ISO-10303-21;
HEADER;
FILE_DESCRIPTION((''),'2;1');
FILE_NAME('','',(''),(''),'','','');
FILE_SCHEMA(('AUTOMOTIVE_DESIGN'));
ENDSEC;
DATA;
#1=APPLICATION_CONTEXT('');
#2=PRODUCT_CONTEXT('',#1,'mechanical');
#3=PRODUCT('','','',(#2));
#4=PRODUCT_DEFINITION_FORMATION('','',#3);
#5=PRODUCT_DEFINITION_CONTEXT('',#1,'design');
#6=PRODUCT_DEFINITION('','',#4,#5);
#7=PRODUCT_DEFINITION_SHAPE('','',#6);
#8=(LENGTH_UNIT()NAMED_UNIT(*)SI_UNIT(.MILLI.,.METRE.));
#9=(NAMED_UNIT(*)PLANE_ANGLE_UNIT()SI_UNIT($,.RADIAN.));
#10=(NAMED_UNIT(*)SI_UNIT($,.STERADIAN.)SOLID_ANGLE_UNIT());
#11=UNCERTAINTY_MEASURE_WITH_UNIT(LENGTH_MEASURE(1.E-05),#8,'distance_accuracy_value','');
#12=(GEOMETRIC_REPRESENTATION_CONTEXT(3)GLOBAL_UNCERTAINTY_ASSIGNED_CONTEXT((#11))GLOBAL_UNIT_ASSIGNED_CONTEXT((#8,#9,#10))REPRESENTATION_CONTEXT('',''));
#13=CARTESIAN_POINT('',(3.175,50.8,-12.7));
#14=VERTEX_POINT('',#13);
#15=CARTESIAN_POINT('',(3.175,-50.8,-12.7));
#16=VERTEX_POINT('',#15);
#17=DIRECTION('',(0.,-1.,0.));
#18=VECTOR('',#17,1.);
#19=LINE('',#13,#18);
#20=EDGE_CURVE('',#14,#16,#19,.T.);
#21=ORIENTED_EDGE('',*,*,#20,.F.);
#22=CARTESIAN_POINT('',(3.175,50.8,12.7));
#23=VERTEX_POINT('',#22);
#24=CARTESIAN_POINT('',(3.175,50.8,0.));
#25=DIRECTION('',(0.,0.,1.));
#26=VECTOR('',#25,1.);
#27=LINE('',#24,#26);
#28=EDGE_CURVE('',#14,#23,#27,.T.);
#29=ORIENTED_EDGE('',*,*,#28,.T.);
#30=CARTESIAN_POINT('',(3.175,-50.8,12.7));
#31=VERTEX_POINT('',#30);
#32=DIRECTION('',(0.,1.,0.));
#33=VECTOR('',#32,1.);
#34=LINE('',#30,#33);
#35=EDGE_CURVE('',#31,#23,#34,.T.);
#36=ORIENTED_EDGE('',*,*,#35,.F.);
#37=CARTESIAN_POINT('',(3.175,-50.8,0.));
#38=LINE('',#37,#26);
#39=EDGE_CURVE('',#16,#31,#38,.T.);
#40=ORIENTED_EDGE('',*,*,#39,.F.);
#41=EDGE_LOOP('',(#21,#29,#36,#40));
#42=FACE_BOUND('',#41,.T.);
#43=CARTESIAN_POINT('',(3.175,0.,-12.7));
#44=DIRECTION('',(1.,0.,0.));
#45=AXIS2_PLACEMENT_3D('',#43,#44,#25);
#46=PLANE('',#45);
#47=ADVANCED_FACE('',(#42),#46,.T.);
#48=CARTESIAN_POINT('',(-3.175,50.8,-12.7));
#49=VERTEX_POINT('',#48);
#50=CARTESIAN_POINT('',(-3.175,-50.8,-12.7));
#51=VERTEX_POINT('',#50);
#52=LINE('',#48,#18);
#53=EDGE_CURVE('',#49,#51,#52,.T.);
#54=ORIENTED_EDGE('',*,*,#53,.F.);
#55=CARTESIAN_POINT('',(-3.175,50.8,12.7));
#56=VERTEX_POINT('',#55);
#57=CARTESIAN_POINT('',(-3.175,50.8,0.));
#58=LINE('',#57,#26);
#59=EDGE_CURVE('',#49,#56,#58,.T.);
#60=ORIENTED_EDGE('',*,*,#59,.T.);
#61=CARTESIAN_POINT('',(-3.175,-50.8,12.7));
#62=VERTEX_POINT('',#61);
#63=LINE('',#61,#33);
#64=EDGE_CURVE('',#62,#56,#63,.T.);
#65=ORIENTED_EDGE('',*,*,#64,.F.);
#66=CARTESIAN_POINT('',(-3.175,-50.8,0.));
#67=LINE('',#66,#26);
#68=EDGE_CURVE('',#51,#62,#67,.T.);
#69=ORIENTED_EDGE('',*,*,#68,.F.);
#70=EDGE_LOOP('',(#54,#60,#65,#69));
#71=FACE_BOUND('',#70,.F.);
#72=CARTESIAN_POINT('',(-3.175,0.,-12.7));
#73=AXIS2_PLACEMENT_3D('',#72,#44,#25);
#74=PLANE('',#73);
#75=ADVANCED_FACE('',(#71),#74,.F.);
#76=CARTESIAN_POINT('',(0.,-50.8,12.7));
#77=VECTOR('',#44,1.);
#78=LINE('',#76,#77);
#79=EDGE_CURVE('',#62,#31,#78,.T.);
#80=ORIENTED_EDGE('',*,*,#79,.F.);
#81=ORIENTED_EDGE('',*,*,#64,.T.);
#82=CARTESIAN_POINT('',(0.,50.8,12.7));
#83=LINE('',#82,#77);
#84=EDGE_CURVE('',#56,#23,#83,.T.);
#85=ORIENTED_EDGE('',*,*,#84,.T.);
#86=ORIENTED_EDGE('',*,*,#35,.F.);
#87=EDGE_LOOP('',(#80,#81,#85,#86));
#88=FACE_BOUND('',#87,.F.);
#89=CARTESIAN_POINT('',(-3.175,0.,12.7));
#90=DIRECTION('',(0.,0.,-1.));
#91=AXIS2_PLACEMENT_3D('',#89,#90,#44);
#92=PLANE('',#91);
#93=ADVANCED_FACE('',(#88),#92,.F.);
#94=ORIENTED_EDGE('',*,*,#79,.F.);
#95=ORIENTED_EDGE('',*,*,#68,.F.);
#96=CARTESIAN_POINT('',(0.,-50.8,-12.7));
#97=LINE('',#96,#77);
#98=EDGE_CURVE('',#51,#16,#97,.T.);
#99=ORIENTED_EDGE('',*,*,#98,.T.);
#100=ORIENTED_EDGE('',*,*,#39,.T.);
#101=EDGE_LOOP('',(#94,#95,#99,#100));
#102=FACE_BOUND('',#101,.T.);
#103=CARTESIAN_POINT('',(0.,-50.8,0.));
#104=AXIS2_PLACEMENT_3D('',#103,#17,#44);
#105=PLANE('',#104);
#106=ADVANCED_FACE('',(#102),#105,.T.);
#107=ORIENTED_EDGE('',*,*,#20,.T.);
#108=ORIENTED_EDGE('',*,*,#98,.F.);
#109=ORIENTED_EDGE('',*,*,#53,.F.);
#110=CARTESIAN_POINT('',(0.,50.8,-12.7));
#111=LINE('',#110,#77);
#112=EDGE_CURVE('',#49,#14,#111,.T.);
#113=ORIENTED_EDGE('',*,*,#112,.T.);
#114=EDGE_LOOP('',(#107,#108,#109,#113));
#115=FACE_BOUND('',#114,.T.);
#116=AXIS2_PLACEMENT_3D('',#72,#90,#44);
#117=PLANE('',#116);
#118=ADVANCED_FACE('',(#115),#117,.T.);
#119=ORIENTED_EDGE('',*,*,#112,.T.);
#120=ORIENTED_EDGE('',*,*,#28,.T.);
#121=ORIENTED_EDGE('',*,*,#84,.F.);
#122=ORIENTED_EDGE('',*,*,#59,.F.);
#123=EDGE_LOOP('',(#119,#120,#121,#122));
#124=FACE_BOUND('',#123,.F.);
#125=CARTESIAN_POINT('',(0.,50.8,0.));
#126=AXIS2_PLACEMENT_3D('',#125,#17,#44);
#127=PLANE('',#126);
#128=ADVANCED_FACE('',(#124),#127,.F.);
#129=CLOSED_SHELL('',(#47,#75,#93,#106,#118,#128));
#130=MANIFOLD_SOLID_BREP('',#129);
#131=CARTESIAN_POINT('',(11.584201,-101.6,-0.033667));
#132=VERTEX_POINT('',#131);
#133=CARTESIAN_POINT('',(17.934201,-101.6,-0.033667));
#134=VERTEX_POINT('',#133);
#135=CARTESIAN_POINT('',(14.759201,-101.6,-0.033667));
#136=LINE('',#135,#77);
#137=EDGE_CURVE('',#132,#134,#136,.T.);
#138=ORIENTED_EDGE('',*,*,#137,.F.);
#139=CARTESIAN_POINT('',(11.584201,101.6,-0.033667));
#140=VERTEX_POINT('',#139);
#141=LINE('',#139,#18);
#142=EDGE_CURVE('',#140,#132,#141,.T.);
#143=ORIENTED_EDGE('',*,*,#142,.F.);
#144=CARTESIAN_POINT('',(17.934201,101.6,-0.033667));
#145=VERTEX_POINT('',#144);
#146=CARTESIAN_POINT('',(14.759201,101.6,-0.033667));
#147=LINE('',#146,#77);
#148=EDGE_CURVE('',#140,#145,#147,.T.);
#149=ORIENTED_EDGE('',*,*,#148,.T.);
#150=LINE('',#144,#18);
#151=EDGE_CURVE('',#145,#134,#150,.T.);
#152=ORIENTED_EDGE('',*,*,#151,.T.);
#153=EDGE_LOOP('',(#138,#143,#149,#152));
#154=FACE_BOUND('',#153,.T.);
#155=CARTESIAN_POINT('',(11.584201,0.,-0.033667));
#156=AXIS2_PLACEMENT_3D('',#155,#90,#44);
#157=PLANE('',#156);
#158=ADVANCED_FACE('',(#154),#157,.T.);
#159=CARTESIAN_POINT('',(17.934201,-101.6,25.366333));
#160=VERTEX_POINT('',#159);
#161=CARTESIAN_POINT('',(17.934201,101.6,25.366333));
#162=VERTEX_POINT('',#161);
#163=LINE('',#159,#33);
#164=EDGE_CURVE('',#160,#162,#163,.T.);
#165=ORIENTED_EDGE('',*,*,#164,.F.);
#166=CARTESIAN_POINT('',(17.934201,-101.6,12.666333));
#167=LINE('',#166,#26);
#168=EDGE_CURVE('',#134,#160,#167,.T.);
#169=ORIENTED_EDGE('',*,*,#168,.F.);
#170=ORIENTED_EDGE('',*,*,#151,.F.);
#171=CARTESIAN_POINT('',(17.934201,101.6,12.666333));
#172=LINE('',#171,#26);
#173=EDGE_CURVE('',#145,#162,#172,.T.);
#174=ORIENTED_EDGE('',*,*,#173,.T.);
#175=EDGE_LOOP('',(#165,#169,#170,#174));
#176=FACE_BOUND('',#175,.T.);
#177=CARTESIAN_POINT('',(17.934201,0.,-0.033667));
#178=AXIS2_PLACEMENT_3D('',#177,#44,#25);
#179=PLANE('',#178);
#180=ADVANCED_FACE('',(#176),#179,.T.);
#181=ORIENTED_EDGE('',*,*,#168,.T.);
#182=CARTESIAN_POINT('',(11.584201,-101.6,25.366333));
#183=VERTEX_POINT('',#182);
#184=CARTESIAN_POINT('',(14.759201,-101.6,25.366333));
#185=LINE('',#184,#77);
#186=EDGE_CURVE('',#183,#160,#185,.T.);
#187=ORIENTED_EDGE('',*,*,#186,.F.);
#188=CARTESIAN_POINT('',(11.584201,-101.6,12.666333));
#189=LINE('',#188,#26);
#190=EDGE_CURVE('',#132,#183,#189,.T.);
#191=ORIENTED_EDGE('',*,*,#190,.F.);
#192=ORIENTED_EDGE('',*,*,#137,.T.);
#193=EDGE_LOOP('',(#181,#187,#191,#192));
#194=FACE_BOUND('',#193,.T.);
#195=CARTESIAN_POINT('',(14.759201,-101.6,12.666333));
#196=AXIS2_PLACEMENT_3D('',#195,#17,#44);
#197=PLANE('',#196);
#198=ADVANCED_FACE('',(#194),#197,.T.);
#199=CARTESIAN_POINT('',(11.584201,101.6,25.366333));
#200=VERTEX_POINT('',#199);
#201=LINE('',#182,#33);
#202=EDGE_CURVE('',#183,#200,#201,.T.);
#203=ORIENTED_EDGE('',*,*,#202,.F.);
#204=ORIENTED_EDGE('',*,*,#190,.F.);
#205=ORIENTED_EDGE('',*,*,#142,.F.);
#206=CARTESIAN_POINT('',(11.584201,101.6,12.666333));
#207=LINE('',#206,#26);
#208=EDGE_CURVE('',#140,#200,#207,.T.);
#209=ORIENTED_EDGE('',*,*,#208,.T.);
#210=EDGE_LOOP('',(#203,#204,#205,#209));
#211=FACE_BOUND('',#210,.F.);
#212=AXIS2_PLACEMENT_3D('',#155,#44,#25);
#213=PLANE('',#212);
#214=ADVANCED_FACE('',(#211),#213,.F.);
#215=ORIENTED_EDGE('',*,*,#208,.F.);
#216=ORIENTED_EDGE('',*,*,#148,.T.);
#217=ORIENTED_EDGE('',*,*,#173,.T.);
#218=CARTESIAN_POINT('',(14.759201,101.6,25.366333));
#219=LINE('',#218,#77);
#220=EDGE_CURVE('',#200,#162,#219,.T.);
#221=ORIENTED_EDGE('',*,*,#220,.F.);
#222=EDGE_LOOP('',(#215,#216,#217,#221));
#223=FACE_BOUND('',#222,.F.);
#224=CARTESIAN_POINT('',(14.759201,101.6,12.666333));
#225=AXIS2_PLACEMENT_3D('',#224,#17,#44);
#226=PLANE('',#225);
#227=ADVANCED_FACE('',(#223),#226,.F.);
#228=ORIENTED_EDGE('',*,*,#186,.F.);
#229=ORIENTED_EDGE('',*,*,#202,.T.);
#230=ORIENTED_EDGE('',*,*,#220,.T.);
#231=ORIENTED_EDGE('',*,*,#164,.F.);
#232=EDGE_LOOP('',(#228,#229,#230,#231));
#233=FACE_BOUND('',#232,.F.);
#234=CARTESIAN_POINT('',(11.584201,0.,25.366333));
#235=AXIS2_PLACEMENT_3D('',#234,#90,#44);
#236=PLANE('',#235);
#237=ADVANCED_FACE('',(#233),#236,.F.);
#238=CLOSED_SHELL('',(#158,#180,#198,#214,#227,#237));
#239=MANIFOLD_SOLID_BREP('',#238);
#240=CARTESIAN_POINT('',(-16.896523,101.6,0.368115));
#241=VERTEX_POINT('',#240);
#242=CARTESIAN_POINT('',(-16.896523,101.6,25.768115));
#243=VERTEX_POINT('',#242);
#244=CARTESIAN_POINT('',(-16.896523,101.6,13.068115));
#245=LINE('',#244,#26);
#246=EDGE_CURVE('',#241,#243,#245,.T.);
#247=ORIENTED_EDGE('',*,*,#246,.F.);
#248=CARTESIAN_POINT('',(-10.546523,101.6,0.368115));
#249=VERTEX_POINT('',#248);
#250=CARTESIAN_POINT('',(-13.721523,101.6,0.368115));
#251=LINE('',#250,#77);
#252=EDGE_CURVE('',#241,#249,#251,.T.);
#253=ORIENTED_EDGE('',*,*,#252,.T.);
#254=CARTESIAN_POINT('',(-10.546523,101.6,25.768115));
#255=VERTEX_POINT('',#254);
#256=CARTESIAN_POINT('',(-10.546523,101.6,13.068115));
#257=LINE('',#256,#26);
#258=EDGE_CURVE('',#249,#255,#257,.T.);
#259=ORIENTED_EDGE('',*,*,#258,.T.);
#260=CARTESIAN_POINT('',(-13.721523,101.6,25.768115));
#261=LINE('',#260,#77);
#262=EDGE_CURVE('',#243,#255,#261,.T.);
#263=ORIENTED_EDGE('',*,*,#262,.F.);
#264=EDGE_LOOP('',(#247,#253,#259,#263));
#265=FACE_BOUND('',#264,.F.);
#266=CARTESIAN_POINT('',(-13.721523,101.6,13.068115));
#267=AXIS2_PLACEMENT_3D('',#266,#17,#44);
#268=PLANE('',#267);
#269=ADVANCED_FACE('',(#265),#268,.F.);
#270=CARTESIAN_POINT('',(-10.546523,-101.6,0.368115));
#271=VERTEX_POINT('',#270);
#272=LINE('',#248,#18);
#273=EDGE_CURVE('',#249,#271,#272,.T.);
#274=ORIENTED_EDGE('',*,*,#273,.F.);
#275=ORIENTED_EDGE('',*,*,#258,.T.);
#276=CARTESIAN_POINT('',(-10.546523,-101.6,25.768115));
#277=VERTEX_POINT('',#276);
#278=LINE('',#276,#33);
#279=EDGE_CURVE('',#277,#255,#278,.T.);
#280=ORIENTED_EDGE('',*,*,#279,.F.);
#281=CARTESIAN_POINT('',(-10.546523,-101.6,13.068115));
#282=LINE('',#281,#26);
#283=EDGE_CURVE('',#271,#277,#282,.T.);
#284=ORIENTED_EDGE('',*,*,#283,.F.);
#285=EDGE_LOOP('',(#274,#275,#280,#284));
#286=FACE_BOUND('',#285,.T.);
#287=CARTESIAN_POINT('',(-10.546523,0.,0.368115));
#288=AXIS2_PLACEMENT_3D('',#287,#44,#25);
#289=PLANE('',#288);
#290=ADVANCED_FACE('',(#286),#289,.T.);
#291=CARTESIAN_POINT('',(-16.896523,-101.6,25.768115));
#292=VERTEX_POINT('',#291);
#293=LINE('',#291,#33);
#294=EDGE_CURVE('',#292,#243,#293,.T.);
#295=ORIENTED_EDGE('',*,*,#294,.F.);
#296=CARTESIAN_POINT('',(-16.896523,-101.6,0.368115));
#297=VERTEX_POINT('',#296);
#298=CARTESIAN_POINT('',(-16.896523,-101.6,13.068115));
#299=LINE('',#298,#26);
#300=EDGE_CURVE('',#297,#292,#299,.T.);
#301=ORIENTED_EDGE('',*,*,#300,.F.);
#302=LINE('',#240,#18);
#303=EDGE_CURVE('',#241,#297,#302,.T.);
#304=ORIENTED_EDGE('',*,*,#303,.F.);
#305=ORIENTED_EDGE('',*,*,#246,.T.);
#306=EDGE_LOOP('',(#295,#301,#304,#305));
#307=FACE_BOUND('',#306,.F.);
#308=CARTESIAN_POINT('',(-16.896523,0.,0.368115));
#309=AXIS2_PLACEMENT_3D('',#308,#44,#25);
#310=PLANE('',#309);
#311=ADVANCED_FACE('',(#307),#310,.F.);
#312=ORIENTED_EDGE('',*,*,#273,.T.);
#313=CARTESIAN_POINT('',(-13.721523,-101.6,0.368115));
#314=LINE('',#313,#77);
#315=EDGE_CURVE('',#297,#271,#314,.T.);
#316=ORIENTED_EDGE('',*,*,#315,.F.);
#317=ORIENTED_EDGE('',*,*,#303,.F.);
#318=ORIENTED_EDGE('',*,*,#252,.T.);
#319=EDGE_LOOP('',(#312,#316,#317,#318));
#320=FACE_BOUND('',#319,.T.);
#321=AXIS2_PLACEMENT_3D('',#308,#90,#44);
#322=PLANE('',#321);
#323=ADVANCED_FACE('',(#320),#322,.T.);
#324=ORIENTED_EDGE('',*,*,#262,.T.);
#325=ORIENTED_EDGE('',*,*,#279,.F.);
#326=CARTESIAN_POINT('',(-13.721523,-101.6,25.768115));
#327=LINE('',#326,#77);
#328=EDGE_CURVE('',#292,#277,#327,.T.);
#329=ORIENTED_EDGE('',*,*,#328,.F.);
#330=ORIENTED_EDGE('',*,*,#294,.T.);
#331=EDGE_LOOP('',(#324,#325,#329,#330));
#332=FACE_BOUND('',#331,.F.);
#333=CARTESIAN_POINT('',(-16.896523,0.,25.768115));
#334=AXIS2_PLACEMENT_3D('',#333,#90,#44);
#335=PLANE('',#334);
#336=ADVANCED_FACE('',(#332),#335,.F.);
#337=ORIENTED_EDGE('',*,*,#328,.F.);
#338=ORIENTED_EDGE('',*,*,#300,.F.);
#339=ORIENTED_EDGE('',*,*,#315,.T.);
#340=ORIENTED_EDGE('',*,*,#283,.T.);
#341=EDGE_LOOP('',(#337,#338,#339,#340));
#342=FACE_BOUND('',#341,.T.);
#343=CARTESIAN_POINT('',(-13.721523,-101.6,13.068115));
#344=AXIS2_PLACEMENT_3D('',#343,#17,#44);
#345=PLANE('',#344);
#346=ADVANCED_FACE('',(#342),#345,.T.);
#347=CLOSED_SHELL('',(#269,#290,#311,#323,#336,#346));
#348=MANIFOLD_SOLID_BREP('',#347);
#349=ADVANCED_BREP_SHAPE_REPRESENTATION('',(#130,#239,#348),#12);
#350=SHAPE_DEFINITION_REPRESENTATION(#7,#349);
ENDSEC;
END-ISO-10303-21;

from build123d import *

# Parameters (mm, degrees)
F0_W     = 6.35
F0_H     = 25.4
F1_DEPTH = 101.6
F2_W     = 6.35
F2_H     = 25.4
F4_DEPTH = 101.6
F3_W     = 6.35
F3_H     = 25.4
F5_DEPTH = 50.8


with BuildPart() as f1:
    # F0 (on Front) → F1 (new body, symmetric)
    with BuildSketch(Plane.XZ):
        with Locations((14.759201, 12.666333)):
            Rectangle(F0_W, F0_H)
    extrude(amount=F1_DEPTH, both=True)


with BuildPart() as f4:
    # F2 (on Front) → F4 (new body, symmetric)
    with BuildSketch(Plane.XZ):
        with Locations((-13.721523, 13.068115)):
            Rectangle(F2_W, F2_H)
    extrude(amount=F4_DEPTH, both=True)


with BuildPart() as f5:
    # F3 (on Front) → F5 (new body, symmetric)
    with BuildSketch(Plane.XZ):
        Rectangle(F3_W, F3_H)
    extrude(amount=F5_DEPTH, both=True)


solid = Compound([f1.part, f4.part, f5.part])
